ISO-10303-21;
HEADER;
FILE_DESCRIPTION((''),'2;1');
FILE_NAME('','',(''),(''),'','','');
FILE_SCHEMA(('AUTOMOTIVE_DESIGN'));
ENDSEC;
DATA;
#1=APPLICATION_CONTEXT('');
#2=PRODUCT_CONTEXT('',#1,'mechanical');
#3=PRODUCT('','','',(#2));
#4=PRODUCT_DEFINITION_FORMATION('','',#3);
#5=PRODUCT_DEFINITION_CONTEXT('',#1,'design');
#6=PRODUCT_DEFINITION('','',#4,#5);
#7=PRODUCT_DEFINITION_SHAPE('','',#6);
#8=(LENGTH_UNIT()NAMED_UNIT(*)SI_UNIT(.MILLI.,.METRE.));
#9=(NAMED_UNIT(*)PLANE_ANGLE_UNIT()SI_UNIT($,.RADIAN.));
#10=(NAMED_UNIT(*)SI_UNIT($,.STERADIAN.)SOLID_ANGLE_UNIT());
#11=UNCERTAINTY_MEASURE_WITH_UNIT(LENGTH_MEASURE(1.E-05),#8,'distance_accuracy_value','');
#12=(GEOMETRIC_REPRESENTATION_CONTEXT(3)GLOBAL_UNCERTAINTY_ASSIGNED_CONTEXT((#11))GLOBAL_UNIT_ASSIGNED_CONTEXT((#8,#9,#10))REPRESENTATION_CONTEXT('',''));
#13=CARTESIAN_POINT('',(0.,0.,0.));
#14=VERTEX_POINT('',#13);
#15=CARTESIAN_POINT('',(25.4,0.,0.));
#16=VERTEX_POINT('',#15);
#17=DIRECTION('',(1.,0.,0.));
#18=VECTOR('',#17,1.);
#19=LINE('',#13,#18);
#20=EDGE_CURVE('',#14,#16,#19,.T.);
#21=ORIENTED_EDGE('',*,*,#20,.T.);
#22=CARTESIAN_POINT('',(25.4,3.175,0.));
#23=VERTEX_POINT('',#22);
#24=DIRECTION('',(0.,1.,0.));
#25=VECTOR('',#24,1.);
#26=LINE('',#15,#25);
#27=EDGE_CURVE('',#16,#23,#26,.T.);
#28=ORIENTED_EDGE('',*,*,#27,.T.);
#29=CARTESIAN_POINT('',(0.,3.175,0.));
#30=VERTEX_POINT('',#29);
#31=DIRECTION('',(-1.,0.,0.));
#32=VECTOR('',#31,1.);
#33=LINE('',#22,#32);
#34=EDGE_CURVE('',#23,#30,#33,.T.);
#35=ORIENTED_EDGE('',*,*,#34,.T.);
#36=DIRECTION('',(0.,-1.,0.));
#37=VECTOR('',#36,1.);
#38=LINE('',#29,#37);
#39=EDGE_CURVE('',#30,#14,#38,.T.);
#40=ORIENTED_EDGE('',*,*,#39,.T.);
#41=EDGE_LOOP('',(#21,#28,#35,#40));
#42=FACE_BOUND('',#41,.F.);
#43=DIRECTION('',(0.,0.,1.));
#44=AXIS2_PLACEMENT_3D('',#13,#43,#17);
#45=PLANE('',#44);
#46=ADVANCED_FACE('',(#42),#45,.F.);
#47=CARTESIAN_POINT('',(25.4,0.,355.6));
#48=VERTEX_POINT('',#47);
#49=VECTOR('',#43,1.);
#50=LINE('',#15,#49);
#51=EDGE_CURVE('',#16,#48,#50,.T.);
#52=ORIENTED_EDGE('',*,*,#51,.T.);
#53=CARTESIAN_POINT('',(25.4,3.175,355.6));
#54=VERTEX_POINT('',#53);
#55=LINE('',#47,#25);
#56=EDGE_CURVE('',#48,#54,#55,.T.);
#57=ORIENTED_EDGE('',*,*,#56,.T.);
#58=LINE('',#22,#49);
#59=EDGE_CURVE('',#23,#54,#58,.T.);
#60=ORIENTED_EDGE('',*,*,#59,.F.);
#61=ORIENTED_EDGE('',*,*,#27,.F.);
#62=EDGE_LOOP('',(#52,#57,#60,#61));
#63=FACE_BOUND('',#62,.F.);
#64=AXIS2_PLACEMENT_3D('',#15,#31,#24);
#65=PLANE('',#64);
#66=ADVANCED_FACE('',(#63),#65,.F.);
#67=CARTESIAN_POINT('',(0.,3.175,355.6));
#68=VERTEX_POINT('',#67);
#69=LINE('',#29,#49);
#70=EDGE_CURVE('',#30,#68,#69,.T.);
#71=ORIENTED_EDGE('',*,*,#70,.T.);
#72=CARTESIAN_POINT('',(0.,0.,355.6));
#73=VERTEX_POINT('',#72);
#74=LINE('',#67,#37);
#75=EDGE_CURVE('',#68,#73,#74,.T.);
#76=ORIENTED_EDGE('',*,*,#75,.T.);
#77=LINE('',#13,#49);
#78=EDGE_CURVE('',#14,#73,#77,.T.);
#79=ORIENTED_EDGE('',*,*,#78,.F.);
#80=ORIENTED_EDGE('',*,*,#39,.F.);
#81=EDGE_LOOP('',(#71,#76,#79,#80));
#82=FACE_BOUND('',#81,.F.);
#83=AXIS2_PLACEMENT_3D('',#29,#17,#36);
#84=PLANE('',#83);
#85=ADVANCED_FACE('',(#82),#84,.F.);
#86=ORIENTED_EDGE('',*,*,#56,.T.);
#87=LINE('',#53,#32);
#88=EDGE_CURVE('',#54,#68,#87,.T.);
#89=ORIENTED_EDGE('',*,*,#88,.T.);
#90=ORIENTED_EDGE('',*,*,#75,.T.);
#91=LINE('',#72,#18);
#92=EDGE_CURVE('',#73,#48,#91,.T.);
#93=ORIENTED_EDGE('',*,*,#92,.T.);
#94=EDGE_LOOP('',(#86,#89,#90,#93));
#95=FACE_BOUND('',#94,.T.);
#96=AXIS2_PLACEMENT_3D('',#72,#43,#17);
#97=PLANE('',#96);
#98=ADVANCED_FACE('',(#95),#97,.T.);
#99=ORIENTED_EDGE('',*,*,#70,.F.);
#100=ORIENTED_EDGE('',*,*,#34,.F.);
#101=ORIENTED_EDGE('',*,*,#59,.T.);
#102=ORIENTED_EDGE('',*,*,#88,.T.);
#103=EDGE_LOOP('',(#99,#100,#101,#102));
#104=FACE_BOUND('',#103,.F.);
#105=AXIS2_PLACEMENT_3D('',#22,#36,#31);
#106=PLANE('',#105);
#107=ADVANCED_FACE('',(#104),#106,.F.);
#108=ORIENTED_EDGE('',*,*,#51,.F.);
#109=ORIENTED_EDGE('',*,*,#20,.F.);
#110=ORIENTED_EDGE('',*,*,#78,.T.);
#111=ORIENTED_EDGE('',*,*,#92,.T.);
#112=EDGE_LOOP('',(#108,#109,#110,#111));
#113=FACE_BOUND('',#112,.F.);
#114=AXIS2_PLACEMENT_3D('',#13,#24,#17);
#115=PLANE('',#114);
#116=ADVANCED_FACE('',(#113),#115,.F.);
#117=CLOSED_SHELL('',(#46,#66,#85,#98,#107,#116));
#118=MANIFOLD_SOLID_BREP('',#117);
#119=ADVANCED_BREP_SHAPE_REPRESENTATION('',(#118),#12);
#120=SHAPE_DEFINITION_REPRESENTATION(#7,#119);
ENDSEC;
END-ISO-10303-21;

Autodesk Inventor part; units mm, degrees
ref_plane "YZ Plane" through (0, 0, 0) normal (1, 0, 0) x (0, 1, 0)
ref_plane "XZ Plane" through (0, 0, 0) normal (0, 1, 0) x (-1, 0, 0)
ref_plane "XY Plane" through (0, 0, 0) normal (0, 0, 1) x (1, 0, 0)
sketch "Sketch1" plane through (0, 0, 0) normal (0, 0, 1) x (1, 0, 0)
  line L0 (0, 0) -> (25.4, 0)
  line L1 (25.4, 0) -> (25.4, 3.175)
  line L2 (25.4, 3.175) -> (0, 3.175)
  line L3 (0, 3.175) -> (0, 0)
  dimension "d0" = 25.4
  dimension "d1" = 3.175
extrude "Extrusion1" add sketch "Sketch1" along normal blind 355.6
properties part number "14in 1in flatstock"
